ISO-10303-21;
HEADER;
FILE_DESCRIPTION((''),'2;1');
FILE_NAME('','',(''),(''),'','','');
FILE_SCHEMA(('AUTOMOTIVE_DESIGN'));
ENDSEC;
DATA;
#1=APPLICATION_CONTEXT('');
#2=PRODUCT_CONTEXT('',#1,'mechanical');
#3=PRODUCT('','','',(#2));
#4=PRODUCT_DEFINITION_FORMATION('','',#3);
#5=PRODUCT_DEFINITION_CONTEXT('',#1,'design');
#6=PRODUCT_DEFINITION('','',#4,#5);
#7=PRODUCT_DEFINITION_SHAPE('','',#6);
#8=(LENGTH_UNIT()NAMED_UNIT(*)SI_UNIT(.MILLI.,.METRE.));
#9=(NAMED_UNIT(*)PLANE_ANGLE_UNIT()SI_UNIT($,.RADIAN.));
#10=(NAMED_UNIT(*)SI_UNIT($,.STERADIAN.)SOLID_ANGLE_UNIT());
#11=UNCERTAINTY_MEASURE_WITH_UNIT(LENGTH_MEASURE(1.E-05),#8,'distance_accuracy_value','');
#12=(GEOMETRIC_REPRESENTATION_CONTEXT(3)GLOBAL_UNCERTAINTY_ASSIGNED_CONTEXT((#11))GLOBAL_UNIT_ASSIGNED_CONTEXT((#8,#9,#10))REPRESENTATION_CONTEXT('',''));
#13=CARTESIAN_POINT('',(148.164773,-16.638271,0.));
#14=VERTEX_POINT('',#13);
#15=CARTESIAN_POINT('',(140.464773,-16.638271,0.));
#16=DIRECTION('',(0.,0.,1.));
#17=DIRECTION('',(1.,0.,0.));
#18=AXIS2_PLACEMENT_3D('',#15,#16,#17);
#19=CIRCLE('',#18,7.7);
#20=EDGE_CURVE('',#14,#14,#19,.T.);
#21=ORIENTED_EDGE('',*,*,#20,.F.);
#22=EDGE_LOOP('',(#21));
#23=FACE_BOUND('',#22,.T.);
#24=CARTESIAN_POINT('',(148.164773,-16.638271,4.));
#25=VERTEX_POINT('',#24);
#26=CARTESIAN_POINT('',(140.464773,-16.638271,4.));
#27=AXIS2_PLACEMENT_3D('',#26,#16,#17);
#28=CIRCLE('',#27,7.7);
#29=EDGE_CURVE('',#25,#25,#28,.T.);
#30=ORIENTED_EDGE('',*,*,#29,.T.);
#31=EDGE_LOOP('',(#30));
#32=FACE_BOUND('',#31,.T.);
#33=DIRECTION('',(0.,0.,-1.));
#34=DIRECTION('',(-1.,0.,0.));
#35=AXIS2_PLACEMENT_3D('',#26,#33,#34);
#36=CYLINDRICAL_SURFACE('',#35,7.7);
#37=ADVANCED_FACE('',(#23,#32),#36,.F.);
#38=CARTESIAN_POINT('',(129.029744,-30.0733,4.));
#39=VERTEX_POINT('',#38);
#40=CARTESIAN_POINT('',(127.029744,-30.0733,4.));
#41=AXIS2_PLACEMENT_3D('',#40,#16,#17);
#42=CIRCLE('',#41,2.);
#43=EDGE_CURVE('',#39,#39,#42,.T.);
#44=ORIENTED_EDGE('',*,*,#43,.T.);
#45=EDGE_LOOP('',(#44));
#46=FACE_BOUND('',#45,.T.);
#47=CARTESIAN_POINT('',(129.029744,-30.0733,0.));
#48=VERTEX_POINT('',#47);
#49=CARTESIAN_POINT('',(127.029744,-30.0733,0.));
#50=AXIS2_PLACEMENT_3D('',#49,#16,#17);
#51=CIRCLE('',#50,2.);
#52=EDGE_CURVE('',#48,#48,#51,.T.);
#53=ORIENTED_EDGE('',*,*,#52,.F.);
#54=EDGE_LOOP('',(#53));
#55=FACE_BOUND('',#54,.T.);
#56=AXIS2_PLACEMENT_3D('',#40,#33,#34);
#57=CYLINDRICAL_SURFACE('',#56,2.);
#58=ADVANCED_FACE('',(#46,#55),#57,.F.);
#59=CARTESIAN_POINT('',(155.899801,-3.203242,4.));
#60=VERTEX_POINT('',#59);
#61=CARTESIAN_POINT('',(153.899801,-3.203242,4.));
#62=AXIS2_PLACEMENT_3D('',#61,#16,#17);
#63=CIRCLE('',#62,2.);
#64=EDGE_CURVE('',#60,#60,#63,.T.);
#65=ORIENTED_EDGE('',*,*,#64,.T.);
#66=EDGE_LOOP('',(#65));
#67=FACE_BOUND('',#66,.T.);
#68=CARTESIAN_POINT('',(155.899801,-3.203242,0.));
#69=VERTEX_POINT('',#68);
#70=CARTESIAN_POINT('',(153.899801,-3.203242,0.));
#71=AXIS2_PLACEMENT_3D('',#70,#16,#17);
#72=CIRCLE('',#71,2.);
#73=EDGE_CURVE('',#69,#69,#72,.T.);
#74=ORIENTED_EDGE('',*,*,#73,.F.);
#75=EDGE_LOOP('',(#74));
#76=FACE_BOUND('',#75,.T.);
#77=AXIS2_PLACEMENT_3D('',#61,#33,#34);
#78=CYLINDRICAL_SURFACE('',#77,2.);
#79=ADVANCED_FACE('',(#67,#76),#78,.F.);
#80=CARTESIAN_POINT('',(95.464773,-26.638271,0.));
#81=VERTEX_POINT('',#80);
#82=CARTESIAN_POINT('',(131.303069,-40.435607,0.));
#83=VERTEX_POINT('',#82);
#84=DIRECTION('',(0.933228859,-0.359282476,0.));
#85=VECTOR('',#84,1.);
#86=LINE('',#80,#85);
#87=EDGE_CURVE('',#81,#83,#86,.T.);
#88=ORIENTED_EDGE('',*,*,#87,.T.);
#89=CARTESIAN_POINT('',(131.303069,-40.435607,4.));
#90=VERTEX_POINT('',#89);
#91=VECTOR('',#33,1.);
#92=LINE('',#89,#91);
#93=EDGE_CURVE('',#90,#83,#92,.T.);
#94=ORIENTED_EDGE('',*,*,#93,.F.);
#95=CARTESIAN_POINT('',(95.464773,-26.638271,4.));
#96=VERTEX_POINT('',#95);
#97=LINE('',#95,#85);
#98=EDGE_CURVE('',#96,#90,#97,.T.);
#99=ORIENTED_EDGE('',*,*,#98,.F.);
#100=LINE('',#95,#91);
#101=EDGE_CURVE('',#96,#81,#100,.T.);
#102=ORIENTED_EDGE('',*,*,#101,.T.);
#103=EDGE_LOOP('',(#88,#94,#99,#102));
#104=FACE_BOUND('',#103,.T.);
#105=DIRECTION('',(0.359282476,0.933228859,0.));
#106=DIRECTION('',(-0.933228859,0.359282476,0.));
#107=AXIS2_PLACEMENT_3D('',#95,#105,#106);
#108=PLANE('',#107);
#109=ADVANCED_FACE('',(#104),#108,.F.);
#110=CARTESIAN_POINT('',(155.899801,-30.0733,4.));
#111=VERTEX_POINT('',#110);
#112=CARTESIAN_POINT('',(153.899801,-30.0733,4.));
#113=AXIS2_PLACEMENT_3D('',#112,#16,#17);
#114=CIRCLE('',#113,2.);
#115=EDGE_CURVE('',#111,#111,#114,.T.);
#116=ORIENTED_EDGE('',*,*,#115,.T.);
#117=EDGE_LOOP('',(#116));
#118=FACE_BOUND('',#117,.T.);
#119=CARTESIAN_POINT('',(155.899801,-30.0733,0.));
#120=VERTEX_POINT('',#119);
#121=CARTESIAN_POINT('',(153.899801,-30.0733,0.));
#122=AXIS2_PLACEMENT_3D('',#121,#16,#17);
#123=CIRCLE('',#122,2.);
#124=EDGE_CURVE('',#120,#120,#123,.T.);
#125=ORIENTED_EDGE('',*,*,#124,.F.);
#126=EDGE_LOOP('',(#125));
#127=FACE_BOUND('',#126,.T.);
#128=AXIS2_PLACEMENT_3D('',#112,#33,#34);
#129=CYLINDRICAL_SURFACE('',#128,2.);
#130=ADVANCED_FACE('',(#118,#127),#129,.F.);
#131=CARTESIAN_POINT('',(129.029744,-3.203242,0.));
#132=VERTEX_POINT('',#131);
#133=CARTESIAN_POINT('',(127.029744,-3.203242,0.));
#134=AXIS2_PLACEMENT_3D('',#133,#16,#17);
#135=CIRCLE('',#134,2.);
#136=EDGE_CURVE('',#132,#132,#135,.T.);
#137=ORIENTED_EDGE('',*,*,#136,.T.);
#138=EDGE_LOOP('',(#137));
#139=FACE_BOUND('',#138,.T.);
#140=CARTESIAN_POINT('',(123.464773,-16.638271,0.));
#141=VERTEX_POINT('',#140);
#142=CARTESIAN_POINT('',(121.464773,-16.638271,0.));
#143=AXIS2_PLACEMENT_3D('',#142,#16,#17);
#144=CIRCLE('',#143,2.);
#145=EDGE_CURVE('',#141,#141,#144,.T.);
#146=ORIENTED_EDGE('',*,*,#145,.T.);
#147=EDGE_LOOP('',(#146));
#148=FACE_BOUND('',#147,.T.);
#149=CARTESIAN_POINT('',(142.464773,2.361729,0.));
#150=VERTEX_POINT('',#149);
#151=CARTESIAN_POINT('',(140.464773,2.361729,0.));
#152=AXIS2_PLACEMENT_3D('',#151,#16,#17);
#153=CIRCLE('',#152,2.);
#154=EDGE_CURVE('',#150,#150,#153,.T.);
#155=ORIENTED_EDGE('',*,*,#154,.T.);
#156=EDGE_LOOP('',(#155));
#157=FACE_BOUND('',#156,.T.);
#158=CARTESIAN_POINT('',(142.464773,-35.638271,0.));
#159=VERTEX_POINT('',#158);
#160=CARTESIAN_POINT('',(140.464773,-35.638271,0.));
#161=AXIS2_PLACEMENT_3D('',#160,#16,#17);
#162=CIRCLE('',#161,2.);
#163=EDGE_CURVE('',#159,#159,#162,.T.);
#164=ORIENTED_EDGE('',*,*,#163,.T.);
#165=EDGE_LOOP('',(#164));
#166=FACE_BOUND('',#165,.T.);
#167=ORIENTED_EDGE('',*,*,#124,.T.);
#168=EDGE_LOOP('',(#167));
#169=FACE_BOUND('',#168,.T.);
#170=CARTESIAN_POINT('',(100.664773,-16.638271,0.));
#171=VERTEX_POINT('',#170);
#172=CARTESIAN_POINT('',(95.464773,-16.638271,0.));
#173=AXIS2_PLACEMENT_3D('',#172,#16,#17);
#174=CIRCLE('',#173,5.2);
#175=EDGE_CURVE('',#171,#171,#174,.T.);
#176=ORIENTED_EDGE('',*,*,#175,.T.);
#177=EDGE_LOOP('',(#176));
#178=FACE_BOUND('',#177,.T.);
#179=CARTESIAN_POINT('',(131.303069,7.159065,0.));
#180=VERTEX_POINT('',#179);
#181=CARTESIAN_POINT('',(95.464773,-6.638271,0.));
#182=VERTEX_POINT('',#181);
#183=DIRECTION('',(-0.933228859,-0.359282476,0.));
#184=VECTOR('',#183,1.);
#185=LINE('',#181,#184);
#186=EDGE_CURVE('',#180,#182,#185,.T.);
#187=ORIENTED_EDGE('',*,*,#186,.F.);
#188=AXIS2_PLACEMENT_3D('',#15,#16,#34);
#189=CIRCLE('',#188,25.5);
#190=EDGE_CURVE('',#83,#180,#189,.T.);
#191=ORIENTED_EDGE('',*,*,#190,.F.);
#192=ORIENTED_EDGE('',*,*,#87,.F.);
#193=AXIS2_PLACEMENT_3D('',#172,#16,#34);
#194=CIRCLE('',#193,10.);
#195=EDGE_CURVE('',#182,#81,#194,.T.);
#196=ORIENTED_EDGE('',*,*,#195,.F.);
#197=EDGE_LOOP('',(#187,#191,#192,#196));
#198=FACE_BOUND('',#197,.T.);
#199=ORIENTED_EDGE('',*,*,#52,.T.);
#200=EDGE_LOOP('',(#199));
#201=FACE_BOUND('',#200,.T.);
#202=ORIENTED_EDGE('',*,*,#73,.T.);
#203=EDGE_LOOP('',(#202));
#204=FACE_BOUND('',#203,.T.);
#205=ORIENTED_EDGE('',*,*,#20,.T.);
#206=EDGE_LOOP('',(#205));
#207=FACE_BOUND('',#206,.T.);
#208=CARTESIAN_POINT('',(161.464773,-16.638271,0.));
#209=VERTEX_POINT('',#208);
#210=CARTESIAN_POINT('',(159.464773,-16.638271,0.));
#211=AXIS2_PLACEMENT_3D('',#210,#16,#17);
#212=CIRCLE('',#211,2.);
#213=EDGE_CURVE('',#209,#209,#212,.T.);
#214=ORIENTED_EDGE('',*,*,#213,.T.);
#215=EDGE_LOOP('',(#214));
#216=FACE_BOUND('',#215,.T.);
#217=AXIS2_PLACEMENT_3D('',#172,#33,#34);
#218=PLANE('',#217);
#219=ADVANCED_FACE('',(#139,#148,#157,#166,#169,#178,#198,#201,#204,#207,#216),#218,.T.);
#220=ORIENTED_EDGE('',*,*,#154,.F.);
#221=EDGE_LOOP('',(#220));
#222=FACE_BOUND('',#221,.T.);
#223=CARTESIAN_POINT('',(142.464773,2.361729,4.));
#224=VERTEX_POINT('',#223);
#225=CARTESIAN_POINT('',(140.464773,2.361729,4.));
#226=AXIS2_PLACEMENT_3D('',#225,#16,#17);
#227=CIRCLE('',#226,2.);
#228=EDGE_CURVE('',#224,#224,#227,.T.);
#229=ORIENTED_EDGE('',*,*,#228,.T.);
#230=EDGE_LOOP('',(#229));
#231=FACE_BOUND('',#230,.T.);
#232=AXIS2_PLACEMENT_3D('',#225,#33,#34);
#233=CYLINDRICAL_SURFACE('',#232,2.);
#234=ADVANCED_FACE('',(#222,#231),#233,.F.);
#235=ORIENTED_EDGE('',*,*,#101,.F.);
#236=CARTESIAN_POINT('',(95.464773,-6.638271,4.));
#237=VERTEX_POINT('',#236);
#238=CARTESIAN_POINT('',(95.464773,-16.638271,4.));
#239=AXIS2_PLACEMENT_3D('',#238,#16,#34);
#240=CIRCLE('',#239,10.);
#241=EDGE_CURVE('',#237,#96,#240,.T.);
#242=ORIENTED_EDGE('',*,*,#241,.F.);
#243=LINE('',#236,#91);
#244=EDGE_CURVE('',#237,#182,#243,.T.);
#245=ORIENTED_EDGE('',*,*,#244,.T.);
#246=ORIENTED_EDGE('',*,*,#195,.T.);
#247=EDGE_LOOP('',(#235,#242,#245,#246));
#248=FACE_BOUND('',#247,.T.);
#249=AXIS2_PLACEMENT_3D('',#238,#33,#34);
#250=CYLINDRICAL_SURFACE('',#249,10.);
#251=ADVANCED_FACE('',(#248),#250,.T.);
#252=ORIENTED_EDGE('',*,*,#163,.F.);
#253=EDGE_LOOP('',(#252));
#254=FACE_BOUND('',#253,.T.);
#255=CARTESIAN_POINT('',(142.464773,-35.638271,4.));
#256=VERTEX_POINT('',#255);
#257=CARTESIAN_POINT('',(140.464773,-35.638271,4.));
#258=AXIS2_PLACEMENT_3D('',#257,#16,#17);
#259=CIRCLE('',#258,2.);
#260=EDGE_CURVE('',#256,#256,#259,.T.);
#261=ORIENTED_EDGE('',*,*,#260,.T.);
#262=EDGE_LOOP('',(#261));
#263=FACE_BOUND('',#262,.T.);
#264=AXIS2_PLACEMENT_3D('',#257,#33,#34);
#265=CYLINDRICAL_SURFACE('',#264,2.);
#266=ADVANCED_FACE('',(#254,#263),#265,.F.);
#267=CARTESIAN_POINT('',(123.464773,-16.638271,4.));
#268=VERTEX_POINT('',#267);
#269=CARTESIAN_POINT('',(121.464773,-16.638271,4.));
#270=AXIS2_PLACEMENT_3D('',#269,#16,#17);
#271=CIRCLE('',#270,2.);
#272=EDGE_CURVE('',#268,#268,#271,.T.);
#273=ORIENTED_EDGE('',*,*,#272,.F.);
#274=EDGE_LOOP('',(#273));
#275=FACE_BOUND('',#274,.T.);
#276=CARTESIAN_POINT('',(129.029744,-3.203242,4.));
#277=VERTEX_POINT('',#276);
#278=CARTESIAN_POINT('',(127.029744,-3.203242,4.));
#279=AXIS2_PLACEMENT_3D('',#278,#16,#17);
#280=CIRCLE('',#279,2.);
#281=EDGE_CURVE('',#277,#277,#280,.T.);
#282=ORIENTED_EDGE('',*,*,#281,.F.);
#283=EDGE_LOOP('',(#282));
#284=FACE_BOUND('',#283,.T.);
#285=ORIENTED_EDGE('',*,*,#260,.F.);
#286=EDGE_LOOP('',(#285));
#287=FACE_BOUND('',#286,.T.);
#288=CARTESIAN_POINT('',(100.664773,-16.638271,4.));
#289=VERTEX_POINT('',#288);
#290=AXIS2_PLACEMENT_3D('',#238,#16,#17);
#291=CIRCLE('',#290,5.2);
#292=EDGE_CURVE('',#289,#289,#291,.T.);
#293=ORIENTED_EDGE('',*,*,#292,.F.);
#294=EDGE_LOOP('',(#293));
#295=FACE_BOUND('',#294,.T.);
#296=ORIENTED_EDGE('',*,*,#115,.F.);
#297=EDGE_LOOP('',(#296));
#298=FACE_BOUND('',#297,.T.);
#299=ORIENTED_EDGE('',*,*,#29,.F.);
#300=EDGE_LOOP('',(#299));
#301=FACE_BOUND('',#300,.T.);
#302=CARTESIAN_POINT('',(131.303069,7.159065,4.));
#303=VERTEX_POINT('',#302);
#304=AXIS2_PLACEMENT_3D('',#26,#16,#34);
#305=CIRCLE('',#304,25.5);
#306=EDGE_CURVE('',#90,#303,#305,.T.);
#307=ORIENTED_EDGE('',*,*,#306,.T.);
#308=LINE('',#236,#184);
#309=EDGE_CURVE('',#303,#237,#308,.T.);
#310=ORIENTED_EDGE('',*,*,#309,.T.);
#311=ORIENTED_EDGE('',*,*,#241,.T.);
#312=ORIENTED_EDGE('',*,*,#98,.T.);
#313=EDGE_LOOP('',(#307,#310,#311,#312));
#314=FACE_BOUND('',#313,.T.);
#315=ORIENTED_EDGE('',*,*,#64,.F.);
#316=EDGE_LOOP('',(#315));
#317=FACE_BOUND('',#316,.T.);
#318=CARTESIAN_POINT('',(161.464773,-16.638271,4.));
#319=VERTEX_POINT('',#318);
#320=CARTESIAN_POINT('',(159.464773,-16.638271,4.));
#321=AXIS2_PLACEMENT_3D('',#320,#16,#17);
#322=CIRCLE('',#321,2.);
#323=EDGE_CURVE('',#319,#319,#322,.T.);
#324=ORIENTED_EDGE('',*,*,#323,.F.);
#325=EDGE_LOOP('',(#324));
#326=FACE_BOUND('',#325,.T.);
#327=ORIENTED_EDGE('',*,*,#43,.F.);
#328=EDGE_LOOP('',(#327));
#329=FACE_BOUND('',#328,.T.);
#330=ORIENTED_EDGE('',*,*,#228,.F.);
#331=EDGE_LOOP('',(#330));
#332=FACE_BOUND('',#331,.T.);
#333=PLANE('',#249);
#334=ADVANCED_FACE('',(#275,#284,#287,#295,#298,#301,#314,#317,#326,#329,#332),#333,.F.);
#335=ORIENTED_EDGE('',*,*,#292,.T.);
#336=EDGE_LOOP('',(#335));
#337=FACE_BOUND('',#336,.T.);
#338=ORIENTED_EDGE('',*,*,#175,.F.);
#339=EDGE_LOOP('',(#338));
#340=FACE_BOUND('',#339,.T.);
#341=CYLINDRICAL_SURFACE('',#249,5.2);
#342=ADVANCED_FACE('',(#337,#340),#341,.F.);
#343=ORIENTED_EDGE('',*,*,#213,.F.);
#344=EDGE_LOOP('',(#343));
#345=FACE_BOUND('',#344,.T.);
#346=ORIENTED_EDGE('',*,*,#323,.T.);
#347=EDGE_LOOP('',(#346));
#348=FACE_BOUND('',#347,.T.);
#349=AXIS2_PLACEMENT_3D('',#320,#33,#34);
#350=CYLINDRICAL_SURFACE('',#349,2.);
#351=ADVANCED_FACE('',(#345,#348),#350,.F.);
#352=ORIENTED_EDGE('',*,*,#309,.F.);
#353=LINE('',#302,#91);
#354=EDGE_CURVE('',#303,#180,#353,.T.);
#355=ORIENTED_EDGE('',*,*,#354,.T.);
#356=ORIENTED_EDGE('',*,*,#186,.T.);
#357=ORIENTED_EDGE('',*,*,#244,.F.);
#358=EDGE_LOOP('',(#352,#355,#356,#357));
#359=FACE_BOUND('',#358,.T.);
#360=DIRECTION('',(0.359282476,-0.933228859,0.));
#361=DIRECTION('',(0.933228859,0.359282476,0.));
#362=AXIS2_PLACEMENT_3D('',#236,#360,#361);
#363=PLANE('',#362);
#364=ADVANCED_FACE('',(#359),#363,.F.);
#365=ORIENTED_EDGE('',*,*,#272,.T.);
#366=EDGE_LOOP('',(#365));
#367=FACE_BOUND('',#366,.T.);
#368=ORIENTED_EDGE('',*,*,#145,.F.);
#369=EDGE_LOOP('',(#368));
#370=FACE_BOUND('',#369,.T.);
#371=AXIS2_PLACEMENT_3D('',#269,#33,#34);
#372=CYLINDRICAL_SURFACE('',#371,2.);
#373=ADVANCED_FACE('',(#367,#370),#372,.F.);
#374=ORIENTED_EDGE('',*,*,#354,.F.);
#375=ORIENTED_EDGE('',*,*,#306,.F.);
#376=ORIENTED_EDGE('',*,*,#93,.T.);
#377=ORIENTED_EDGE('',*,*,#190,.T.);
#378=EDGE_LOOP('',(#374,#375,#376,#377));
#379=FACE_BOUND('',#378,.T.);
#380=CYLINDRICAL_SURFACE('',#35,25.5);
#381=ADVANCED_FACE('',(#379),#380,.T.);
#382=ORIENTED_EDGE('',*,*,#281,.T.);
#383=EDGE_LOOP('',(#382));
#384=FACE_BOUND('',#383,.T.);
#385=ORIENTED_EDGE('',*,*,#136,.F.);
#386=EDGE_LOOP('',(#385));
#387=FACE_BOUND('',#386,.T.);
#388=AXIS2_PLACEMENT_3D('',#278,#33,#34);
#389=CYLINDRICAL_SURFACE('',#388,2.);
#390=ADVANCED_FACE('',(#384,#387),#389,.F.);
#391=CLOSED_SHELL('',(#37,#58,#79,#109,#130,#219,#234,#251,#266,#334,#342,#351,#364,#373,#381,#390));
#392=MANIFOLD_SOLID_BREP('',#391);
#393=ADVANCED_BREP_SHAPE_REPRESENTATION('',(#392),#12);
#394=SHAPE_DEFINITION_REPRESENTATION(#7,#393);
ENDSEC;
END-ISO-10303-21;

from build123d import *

# Parameters (mm, degrees)
SKETCH_1_R      = 7.7
SKETCH_1_R_2    = 2
SKETCH_1_R_3    = 5.2
EXTRUDE_1_DEPTH = 4


with BuildPart() as part:
    # 草图1 → 凸台-拉伸1 (new body)
    with BuildSketch(Plane.XY):
        with BuildLine():
            Line((95.464772606, -26.638271318), (131.303069471, -40.435607212))
            ThreePointArc((131.303069471, -40.435607212), (165.964772606, -16.638271318), (131.303069471, 7.159064577))
            Line((131.303069471, 7.159064577), (95.464772606, -6.638271318))
            ThreePointArc((95.464772606, -6.638271318), (85.464772606, -16.638271318), (95.464772606, -26.638271318))
        make_face()
        with Locations((140.464772606, -16.638271318)):
            Circle(SKETCH_1_R, mode=Mode.SUBTRACT)
        with Locations((140.464772606, -35.638271318)):
            Circle(SKETCH_1_R_2, mode=Mode.SUBTRACT)
        with Locations((127.029743763, -30.07330016)):
            Circle(SKETCH_1_R_2, mode=Mode.SUBTRACT)
        with Locations((121.464772606, -16.638271318)):
            Circle(SKETCH_1_R_2, mode=Mode.SUBTRACT)
        with Locations((127.029743763, -3.203242475)):
            Circle(SKETCH_1_R_2, mode=Mode.SUBTRACT)
        with Locations((140.464772606, 2.361728682)):
            Circle(SKETCH_1_R_2, mode=Mode.SUBTRACT)
        with Locations((153.899801448, -3.203242475)):
            Circle(SKETCH_1_R_2, mode=Mode.SUBTRACT)
        with Locations((159.464772606, -16.638271318)):
            Circle(SKETCH_1_R_2, mode=Mode.SUBTRACT)
        with Locations((153.899801448, -30.07330016)):
            Circle(SKETCH_1_R_2, mode=Mode.SUBTRACT)
        with Locations((95.464772606, -16.638271318)):
            Circle(SKETCH_1_R_3, mode=Mode.SUBTRACT)
    extrude(amount=EXTRUDE_1_DEPTH)


solid = part.part
